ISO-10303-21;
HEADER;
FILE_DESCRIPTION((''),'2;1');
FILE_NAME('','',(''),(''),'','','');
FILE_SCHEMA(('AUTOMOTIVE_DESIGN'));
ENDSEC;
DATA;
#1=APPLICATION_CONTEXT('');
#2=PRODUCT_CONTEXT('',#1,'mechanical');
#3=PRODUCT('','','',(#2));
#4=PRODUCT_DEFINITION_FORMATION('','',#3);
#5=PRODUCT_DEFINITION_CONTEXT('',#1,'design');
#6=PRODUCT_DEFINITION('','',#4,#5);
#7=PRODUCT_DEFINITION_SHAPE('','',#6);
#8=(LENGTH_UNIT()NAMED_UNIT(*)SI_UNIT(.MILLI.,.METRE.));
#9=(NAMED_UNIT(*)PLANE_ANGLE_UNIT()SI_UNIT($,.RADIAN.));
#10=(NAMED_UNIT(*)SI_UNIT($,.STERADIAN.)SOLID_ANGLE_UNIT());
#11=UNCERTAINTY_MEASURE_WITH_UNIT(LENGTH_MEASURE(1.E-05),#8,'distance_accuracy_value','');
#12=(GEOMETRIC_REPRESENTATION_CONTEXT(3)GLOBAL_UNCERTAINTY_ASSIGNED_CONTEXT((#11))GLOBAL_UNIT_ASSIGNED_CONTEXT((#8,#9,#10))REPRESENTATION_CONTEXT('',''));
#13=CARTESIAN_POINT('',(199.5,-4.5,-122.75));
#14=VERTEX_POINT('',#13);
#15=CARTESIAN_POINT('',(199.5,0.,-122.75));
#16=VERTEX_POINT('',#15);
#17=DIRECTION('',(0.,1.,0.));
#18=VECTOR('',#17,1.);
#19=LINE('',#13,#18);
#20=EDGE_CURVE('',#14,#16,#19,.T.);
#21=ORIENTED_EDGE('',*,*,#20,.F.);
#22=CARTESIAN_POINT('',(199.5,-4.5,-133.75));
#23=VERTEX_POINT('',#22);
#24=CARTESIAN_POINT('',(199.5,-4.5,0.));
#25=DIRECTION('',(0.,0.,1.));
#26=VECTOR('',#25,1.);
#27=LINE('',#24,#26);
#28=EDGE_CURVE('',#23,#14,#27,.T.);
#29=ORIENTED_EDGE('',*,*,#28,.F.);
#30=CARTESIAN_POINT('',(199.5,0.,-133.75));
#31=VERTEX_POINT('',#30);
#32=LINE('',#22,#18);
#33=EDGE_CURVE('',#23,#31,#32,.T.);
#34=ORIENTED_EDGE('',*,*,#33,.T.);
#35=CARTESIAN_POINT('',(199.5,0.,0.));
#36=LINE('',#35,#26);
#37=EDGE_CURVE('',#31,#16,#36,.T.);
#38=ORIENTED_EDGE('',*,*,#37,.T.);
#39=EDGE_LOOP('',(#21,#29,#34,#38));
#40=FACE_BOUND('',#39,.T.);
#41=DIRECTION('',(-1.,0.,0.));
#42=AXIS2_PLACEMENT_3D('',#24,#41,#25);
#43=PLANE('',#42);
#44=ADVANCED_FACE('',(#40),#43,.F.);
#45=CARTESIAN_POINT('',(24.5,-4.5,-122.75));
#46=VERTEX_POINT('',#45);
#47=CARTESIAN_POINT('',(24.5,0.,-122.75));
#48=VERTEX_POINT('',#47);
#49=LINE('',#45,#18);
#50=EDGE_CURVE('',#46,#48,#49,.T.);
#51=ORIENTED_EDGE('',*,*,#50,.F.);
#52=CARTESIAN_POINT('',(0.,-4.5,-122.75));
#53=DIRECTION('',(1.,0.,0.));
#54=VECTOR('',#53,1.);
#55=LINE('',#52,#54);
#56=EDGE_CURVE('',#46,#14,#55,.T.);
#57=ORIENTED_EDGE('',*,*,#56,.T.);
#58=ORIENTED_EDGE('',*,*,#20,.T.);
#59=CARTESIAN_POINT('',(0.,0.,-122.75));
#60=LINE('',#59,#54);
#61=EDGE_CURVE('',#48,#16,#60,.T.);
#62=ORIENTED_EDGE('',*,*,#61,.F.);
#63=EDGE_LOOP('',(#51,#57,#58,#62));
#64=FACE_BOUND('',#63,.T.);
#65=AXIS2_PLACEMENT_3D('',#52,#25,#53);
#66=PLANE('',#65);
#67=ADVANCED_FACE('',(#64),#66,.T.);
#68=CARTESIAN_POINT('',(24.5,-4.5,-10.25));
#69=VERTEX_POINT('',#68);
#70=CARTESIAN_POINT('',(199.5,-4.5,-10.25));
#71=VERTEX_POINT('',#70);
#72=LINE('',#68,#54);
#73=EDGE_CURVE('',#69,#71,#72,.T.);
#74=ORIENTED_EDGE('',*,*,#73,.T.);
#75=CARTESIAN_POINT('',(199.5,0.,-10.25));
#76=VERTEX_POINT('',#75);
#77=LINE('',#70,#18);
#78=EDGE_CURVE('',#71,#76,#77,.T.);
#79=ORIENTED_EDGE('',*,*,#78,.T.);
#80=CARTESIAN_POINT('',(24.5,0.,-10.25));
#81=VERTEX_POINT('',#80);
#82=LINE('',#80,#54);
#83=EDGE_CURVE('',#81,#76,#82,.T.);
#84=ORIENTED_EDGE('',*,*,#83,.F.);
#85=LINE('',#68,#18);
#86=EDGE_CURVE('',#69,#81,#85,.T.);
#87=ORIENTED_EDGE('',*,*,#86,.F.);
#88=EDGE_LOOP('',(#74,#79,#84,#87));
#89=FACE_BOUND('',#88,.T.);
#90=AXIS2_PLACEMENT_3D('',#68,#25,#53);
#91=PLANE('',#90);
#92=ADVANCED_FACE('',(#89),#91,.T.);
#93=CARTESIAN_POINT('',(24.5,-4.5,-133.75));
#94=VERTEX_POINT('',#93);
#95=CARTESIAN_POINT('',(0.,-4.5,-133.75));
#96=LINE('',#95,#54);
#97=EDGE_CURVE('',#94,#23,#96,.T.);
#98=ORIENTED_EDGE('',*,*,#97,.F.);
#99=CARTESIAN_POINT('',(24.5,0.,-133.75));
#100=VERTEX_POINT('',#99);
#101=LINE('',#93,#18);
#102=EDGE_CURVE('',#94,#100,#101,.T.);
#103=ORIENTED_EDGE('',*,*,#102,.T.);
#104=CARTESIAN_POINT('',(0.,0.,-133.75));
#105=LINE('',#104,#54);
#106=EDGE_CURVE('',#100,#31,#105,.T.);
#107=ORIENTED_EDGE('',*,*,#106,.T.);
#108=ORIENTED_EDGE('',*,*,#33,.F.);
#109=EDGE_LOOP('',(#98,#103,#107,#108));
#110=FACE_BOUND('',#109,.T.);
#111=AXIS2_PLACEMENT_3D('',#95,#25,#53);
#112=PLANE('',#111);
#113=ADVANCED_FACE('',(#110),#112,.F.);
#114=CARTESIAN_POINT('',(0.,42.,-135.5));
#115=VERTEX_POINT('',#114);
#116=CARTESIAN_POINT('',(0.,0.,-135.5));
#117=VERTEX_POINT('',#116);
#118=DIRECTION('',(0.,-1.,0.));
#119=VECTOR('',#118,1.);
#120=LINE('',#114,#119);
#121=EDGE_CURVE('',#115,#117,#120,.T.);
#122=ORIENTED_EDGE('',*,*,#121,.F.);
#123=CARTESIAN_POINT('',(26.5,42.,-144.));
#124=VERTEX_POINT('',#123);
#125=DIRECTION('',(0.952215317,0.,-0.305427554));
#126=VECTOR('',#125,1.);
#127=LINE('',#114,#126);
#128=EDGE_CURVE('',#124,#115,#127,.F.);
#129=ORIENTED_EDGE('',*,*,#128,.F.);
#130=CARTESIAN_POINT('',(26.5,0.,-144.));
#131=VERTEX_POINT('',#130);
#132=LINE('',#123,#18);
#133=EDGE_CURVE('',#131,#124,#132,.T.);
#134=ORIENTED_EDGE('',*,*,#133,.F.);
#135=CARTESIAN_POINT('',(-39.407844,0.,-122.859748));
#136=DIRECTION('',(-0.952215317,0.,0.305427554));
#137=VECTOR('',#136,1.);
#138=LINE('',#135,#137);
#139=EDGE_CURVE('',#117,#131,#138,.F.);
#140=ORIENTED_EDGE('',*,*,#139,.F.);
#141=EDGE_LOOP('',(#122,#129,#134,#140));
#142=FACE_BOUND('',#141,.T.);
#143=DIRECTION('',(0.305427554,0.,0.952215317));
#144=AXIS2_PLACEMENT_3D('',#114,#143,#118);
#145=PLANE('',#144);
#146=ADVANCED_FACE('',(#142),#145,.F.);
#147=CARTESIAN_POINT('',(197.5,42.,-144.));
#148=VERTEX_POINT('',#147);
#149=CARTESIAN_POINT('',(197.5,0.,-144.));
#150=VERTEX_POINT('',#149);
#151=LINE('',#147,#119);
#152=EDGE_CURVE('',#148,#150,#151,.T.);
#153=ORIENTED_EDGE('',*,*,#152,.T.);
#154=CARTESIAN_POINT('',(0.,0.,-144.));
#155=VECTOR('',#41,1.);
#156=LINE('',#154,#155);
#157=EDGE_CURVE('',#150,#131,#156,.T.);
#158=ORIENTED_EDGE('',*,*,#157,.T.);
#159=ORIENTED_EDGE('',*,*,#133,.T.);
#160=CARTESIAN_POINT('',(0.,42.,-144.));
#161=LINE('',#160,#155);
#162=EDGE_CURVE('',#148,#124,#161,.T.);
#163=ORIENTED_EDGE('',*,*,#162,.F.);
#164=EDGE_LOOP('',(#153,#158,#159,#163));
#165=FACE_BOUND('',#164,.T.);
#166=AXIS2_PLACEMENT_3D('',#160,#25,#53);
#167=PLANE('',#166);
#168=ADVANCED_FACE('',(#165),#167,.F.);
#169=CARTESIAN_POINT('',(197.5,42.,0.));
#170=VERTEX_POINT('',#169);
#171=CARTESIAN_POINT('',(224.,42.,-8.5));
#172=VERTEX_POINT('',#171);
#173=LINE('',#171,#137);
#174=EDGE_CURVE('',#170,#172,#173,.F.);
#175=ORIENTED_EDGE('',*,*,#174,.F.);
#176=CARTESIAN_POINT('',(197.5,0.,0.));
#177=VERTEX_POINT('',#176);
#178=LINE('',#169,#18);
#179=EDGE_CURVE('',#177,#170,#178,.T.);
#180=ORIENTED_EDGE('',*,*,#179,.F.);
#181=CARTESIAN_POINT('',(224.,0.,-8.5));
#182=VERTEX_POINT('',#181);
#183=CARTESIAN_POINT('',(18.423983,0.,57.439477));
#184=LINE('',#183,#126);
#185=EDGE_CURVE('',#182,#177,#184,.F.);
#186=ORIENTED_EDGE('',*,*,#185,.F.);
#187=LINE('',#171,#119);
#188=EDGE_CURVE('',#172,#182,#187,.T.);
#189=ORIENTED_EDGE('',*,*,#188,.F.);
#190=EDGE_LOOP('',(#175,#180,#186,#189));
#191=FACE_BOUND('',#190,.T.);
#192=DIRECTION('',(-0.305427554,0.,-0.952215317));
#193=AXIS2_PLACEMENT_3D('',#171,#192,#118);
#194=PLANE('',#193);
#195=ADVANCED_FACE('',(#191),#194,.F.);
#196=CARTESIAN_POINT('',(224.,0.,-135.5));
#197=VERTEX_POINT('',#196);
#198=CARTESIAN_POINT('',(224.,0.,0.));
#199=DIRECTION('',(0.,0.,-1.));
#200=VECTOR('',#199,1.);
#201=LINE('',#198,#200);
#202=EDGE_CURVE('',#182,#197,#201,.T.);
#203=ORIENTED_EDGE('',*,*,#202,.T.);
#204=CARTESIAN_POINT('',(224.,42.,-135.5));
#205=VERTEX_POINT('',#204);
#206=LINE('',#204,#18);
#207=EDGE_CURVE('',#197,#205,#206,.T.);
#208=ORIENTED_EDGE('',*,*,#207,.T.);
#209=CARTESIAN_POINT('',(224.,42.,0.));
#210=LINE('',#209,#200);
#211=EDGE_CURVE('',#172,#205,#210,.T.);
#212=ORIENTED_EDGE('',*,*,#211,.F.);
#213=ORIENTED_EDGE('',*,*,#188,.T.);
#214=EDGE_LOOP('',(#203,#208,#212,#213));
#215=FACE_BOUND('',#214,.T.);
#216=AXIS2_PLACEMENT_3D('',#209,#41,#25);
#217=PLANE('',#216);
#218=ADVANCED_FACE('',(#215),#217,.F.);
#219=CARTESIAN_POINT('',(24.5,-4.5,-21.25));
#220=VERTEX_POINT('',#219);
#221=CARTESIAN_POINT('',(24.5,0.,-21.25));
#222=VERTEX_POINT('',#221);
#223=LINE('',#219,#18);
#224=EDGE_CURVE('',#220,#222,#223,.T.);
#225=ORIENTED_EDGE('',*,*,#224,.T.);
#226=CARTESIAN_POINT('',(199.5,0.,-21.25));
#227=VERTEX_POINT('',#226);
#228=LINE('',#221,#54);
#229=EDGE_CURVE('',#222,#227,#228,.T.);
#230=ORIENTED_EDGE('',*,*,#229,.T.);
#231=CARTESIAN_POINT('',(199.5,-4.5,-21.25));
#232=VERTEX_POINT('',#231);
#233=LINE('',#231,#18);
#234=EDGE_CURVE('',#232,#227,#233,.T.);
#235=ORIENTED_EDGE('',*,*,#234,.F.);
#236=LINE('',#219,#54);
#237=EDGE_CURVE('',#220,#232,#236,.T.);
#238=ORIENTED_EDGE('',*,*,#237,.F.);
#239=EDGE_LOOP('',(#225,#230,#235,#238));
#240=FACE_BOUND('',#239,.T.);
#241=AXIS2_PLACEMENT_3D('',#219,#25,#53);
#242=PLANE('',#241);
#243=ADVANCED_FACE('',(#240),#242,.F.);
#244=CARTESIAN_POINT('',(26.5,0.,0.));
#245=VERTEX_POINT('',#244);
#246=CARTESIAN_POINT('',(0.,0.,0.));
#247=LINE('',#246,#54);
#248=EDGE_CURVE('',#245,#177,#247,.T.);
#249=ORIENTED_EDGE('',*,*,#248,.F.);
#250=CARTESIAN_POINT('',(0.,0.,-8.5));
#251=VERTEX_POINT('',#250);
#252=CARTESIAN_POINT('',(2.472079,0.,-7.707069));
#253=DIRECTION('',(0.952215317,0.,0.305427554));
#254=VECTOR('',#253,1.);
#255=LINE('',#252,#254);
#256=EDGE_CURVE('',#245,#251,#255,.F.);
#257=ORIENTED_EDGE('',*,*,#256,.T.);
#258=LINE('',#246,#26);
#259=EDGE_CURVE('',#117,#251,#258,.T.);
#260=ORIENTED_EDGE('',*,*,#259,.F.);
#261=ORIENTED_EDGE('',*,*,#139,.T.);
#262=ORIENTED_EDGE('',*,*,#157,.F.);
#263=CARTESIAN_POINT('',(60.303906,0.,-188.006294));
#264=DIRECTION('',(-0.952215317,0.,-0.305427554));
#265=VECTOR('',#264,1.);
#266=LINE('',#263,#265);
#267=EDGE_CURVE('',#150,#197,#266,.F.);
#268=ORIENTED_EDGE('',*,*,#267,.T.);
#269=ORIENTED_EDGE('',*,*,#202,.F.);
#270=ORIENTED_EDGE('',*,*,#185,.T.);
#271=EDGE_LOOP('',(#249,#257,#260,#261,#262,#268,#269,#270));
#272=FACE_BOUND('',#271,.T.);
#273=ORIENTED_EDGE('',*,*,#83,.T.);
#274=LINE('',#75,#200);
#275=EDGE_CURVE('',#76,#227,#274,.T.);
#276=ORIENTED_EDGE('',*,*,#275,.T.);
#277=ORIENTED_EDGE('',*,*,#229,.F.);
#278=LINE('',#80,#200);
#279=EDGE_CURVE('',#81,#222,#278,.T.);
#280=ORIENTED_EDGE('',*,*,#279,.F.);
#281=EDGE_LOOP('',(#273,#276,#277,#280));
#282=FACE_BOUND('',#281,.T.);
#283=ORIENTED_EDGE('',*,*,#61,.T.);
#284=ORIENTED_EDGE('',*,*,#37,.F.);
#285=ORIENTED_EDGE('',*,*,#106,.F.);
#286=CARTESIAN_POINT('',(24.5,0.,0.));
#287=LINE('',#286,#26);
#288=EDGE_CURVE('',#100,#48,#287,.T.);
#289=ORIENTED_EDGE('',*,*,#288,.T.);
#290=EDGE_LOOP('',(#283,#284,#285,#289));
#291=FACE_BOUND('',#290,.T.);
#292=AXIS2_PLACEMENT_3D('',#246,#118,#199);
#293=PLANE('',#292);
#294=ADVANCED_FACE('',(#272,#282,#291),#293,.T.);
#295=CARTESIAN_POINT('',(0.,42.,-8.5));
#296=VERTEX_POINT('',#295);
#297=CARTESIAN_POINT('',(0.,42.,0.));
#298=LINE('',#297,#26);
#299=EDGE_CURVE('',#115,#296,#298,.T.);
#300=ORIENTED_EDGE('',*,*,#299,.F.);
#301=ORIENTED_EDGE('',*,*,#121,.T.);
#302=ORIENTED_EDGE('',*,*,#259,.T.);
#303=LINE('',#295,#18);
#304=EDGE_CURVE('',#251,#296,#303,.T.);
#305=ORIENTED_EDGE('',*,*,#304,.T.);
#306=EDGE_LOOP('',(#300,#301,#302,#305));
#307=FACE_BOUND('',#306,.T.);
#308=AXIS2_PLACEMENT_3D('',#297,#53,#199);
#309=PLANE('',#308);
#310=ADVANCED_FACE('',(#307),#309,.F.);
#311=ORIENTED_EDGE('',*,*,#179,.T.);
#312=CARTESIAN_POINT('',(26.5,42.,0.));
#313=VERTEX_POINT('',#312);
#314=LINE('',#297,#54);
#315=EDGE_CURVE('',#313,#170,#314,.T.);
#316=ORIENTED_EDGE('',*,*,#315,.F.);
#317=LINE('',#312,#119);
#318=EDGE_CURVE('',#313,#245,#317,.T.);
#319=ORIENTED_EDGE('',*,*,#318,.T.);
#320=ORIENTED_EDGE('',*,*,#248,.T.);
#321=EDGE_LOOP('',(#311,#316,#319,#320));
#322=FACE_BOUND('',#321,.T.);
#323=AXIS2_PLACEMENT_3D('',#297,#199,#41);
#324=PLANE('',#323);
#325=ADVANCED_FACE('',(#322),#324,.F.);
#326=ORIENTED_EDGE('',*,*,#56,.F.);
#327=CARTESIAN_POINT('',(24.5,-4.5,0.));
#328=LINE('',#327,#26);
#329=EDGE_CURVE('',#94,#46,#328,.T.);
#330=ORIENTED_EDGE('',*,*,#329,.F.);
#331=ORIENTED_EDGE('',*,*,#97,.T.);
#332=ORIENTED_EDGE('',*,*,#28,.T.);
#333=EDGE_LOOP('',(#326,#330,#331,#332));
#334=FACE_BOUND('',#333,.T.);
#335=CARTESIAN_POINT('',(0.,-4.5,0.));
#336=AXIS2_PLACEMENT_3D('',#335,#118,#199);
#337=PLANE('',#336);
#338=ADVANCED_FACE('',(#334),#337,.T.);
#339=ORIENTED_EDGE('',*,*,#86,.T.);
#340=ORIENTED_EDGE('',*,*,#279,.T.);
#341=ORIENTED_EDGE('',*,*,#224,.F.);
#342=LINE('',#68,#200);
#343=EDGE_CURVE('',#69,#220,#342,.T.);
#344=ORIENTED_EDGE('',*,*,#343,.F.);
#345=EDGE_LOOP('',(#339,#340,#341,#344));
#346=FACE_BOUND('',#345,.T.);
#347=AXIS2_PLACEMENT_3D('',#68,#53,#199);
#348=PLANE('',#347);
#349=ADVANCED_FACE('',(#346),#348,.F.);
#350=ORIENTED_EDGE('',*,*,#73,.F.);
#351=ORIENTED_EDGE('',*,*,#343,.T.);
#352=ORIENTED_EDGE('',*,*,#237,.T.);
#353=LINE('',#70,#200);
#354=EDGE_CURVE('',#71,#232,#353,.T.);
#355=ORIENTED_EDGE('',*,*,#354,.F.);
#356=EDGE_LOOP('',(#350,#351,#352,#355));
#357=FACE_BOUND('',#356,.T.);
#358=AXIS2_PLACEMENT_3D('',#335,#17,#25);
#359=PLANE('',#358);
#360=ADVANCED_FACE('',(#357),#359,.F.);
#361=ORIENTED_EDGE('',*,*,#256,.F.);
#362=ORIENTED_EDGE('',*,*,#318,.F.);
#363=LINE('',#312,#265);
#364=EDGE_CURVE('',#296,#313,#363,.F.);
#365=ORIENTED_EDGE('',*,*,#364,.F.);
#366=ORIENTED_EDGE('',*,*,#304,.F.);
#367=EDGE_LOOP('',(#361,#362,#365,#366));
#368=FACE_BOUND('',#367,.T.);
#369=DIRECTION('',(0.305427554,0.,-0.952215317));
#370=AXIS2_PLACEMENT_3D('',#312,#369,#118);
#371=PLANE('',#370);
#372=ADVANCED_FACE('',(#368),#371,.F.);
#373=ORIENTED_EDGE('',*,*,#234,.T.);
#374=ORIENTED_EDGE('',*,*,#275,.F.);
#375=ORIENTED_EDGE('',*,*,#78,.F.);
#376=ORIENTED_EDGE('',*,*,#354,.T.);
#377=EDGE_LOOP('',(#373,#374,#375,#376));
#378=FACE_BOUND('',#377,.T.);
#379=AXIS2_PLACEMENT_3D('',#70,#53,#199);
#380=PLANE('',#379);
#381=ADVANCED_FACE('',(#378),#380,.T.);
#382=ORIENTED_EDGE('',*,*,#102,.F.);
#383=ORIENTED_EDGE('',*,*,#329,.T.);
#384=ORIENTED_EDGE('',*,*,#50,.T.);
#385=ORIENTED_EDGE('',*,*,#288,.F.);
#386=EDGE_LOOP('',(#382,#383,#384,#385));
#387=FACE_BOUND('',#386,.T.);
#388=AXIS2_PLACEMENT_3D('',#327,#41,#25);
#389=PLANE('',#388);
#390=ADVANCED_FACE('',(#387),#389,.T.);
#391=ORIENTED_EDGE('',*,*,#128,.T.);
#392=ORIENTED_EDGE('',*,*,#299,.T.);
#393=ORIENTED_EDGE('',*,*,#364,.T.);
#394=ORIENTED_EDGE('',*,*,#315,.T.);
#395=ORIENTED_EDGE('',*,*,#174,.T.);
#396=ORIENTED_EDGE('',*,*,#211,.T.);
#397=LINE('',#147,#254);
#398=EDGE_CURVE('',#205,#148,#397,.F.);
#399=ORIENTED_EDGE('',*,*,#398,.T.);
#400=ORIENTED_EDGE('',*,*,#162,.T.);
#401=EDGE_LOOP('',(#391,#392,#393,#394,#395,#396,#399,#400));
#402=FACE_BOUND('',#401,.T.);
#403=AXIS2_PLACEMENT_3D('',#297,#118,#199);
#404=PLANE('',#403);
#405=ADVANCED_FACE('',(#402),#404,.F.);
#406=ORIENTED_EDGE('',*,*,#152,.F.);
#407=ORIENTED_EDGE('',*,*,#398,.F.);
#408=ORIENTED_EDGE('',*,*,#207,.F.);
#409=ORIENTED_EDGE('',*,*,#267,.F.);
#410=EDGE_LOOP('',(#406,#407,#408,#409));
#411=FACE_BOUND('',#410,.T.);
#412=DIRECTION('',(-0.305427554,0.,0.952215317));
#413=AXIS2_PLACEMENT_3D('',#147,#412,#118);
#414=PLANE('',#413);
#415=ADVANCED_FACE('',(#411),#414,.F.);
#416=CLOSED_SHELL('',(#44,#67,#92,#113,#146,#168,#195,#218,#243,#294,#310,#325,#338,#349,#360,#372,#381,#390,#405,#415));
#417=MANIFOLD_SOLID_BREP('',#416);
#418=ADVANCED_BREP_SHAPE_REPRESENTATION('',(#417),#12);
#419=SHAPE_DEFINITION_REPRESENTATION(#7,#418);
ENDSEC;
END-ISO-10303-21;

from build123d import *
from OCP.BRepFilletAPI import BRepFilletAPI_MakeChamfer

# Parameters (mm, degrees)
SKETCH1_W           = 224
SKETCH1_H           = 144
BOSS_EXTRUDE1_DEPTH = 42
SKETCH2_W           = 175
SKETCH2_H           = 11
BOSS_EXTRUDE2_DEPTH = 4.5
CHAMFER1_SIZE       = 8.5
CHAMFER1_SIZE2      = 26.5
CHAMFER2_SIZE       = 26.5
CHAMFER2_SIZE2      = 8.5


with BuildPart() as part:
    # Sketch1 → Boss-Extrude1 (new body)
    with BuildSketch(Plane(origin=(0, 0, 0), x_dir=(1, 0, 0), z_dir=(0, 1, 0))):
        with Locations((112, 72)):
            Rectangle(SKETCH1_W, SKETCH1_H)
    extrude(amount=BOSS_EXTRUDE1_DEPTH)

    # Sketch2 → Boss-Extrude2 (add)
    with BuildSketch(Plane.XZ):
        with Locations((112, -128.25)):
            Rectangle(SKETCH2_W, SKETCH2_H)
        with Locations((112, -15.75)):
            Rectangle(SKETCH2_W, SKETCH2_H)
    extrude(amount=BOSS_EXTRUDE2_DEPTH)

    # Chamfer1: one chamfer whose edges measure the first distance from different faces: ONE call of the kernel's chamfer builder (chamfer() names one face for all edges)
    chamfer1_edges_1 = [part.edges().sort_by_distance(p)[0] for p in [
        (224, 21, -144),
    ]]
    chamfer1_side_1 = [part.faces().sort_by_distance(p)[0] for p in [
        (224, 21, -72),
    ]]
    chamfer1_edges_2 = [part.edges().sort_by_distance(p)[0] for p in [
        (0, 21, 0),
    ]]
    chamfer1_side_2 = [part.faces().sort_by_distance(p)[0] for p in [
        (0, 21, -72),
    ]]
    chamfer1 = BRepFilletAPI_MakeChamfer(part.part.solid().wrapped)
    for e in chamfer1_edges_1:
        chamfer1.Add(CHAMFER1_SIZE, CHAMFER1_SIZE2, e.wrapped, chamfer1_side_1[0].wrapped)  # the first distance lies on this face
    for e in chamfer1_edges_2:
        chamfer1.Add(CHAMFER1_SIZE, CHAMFER1_SIZE2, e.wrapped, chamfer1_side_2[0].wrapped)  # the first distance lies on this face
    add(Compound.cast(chamfer1.Shape()), mode=Mode.REPLACE)

    # Chamfer2: one chamfer whose edges measure the first distance from different faces: ONE call of the kernel's chamfer builder (chamfer() names one face for all edges)
    chamfer2_edges_1 = [part.edges().sort_by_distance(p)[0] for p in [
        (0, 21, -144),
    ]]
    chamfer2_side_1 = [part.faces().sort_by_distance(p)[0] for p in [
        (98.75, 21, -144),
    ]]
    chamfer2_edges_2 = [part.edges().sort_by_distance(p)[0] for p in [
        (224, 21, 0),
    ]]
    chamfer2_side_2 = [part.faces().sort_by_distance(p)[0] for p in [
        (125.25, 21, 0),
    ]]
    chamfer2 = BRepFilletAPI_MakeChamfer(part.part.solid().wrapped)
    for e in chamfer2_edges_1:
        chamfer2.Add(CHAMFER2_SIZE, CHAMFER2_SIZE2, e.wrapped, chamfer2_side_1[0].wrapped)  # the first distance lies on this face
    for e in chamfer2_edges_2:
        chamfer2.Add(CHAMFER2_SIZE, CHAMFER2_SIZE2, e.wrapped, chamfer2_side_2[0].wrapped)  # the first distance lies on this face
    add(Compound.cast(chamfer2.Shape()), mode=Mode.REPLACE)


solid = part.part
